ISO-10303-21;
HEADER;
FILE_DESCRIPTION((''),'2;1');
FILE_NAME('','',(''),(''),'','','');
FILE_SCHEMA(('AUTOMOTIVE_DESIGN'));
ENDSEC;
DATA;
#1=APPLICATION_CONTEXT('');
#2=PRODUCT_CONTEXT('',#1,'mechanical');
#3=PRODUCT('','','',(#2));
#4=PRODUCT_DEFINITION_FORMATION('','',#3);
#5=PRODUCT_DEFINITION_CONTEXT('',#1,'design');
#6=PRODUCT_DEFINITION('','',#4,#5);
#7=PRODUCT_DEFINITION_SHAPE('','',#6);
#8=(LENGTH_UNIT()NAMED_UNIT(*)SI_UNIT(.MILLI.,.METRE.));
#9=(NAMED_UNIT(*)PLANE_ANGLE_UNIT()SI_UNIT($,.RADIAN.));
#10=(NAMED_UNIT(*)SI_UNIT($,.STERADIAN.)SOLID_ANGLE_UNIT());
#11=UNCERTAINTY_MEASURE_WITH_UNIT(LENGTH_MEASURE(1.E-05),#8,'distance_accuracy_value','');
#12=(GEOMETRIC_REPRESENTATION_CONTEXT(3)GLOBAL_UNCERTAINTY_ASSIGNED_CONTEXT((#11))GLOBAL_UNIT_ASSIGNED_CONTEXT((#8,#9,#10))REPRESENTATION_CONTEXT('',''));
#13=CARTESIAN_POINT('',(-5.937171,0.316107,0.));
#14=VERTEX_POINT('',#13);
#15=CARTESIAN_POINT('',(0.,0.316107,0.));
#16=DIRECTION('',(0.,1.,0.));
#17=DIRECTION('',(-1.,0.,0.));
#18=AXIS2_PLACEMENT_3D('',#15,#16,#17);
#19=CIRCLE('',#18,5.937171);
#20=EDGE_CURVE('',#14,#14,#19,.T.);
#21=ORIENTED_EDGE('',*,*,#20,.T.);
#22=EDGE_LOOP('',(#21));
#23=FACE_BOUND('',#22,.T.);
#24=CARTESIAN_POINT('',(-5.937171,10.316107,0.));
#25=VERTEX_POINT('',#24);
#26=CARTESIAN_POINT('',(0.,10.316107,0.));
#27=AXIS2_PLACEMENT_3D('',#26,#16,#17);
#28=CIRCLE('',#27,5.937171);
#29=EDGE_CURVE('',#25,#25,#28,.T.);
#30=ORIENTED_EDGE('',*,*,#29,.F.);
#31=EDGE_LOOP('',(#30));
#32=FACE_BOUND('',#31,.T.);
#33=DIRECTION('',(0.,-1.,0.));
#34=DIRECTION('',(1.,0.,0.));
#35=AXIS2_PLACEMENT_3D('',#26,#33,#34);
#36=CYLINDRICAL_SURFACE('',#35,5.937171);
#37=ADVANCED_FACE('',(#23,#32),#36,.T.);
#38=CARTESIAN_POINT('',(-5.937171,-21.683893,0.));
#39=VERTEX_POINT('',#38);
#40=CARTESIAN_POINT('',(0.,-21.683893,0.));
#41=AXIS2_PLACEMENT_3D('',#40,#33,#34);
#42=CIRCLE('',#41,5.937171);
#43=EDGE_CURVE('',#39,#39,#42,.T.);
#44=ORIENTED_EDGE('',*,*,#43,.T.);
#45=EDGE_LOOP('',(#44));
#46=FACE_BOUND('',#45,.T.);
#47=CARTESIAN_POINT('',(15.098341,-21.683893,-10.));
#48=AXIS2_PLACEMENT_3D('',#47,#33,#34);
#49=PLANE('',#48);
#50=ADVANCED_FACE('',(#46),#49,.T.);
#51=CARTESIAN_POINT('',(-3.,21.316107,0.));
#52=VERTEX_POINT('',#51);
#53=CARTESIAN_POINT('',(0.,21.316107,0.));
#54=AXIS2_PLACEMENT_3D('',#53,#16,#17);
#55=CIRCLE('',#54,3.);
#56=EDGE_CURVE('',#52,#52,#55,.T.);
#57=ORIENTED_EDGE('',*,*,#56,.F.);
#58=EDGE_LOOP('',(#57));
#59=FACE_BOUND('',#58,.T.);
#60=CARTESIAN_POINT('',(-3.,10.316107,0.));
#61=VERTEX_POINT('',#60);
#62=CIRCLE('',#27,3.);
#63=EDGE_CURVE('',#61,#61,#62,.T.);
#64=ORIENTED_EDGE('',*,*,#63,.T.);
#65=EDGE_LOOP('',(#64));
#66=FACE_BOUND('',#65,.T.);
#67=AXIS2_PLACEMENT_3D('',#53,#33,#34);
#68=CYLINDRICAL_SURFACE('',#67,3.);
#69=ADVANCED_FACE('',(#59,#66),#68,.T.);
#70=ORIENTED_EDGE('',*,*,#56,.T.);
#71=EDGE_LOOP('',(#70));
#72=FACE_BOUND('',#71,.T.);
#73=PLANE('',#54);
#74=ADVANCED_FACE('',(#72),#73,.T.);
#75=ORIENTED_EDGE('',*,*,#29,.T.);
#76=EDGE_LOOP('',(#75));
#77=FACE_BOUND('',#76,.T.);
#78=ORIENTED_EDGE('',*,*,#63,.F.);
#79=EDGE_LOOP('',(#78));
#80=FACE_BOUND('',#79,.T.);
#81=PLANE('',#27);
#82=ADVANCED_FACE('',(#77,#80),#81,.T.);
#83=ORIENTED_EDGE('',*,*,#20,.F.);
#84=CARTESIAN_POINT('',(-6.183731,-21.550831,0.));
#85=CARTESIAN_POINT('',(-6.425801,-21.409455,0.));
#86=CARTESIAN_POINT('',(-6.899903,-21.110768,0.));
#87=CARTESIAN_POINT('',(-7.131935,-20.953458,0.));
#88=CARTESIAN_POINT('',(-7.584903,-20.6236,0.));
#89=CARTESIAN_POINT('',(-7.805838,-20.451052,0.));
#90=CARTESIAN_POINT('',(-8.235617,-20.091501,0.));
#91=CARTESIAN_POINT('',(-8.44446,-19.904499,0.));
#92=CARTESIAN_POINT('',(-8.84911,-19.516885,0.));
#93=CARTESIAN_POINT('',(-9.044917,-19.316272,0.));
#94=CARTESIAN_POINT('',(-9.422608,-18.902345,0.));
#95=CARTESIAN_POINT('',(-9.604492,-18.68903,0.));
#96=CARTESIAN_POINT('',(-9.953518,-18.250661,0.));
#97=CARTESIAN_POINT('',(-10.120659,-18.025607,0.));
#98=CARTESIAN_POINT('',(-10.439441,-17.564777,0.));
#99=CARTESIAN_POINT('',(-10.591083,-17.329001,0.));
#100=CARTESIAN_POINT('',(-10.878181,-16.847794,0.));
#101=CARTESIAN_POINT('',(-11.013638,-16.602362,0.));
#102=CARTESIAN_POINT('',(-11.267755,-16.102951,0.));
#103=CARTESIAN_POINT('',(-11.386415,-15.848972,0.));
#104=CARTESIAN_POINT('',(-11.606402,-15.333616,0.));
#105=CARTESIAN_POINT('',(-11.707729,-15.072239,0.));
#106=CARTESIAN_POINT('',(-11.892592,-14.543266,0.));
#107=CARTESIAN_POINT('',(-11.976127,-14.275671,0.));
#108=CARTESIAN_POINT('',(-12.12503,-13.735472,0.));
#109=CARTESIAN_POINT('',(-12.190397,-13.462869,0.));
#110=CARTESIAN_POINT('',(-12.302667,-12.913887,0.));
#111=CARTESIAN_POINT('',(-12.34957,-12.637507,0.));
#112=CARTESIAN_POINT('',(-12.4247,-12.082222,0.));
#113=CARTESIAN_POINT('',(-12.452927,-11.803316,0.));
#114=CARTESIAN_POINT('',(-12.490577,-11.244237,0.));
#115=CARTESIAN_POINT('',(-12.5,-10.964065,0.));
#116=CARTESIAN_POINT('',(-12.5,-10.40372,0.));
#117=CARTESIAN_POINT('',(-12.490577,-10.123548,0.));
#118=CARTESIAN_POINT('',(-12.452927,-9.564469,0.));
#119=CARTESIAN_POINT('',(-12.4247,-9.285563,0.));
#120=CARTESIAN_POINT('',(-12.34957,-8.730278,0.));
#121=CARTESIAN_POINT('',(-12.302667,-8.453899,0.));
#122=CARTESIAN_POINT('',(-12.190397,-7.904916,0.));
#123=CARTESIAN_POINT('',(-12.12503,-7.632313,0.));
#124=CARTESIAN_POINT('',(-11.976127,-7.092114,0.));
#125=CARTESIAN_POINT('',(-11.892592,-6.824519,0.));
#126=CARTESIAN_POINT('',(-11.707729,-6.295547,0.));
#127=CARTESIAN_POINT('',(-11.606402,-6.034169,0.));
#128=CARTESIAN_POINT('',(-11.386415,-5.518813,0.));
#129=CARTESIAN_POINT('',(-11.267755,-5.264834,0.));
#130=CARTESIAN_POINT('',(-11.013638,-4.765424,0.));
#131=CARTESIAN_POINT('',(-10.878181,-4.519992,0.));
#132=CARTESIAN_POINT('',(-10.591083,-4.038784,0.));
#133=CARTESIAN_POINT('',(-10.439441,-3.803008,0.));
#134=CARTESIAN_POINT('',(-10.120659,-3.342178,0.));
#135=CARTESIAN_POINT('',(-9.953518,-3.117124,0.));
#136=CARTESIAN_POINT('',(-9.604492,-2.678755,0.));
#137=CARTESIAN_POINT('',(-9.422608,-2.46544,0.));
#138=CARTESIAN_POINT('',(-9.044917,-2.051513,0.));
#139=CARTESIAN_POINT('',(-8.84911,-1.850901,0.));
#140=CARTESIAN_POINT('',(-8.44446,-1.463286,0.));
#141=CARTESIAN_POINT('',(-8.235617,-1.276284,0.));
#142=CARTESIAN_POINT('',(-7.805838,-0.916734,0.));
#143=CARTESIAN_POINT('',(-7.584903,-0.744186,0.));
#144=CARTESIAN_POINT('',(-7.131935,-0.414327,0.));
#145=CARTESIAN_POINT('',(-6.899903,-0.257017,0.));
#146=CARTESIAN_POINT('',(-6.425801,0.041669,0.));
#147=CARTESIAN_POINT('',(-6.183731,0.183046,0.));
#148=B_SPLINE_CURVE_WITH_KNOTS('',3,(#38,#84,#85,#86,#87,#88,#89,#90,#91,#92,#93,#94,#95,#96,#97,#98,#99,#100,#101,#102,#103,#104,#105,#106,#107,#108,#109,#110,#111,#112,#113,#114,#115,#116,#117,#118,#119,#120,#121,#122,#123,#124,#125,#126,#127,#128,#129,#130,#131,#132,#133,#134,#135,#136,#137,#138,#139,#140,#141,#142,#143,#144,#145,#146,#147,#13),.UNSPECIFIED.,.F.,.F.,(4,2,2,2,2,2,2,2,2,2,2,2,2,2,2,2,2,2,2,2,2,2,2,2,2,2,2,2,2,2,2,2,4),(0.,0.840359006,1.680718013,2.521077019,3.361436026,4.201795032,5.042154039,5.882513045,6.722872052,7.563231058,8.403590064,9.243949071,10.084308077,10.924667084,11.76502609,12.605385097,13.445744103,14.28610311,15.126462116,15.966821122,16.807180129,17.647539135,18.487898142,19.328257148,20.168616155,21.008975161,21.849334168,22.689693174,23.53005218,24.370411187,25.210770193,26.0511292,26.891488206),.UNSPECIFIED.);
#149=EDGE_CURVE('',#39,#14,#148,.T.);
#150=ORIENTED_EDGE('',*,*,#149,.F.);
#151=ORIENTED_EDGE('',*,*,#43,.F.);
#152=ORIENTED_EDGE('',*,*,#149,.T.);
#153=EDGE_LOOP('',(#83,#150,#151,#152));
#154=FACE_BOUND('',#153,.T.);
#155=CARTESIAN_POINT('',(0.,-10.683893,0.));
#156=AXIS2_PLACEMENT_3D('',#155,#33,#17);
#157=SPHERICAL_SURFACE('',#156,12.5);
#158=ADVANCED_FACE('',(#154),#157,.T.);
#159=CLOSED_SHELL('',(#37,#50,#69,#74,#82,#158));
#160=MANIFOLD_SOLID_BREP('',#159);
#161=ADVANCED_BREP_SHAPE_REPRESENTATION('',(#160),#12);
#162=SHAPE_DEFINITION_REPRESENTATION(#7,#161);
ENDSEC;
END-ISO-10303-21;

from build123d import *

# Parameters (mm, degrees)
ESQUISSE4_OUTSIDE_W     = 35.66
ESQUISSE4_OUTSIDE_H     = 35.66
ESQUISSE4_OUTSIDE_W_2   = 31.580909768
ESQUISSE4_OUTSIDE_H_2   = 22
ENL_V_MAT_EXTRU_1_DEPTH = 10
ESQUISSE5_R             = 5.937171044
BOSS_EXTRU_1_DEPTH      = 10
ESQUISSE6_R             = 3
BOSS_EXTRU_2_DEPTH      = 11


with BuildPart() as part:
    # Esquisse1 → Révolution1 (revolve)
    with BuildSketch(Plane.XY):
        with BuildLine():
            Line((0, -23.183892617), (0, 1.816107383))
            ThreePointArc((0, 1.816107383), (-12.5, -10.683892617), (0, -23.183892617))
        make_face()
    revolve(axis=Axis((0, -23.183892617, 0), (0, 1, 0)))

    # Esquisse4 outside → Enlèv. mat.-Extru.1 (cut)
    with BuildSketch(Plane.XY):
        with Locations((0, -10.684)):
            Rectangle(ESQUISSE4_OUTSIDE_W, ESQUISSE4_OUTSIDE_H)
        with Locations((-0.692114094, -10.683892617)):
            Rectangle(ESQUISSE4_OUTSIDE_W_2, ESQUISSE4_OUTSIDE_H_2, mode=Mode.SUBTRACT)
    enl_v_mat_extru_1 = extrude(amount=-ENL_V_MAT_EXTRU_1_DEPTH, mode=Mode.SUBTRACT)

    # Symétrie1: Enlèv. mat.-Extru.1 across plane
    add(enl_v_mat_extru_1.mirror(Plane.XY), mode=Mode.SUBTRACT)

    # Esquisse5 → Boss.-Extru.1 (add)
    with BuildSketch(Plane(origin=(0, 0.316107383, 0), x_dir=(1, 0, 0), z_dir=(0, 1, 0))):
        with Locations(Location((0, 0, 0), (0, 0, 180))):
            Circle(ESQUISSE5_R)
    extrude(amount=BOSS_EXTRU_1_DEPTH)

    # Esquisse6 → Boss.-Extru.2 (add)
    with BuildSketch(Plane(origin=(0, 10.316107383, 0), x_dir=(1, 0, 0), z_dir=(0, 1, 0))):
        with Locations(Location((0, 0, 0), (0, 0, 180))):
            Circle(ESQUISSE6_R)
    extrude(amount=BOSS_EXTRU_2_DEPTH)


solid = part.part
